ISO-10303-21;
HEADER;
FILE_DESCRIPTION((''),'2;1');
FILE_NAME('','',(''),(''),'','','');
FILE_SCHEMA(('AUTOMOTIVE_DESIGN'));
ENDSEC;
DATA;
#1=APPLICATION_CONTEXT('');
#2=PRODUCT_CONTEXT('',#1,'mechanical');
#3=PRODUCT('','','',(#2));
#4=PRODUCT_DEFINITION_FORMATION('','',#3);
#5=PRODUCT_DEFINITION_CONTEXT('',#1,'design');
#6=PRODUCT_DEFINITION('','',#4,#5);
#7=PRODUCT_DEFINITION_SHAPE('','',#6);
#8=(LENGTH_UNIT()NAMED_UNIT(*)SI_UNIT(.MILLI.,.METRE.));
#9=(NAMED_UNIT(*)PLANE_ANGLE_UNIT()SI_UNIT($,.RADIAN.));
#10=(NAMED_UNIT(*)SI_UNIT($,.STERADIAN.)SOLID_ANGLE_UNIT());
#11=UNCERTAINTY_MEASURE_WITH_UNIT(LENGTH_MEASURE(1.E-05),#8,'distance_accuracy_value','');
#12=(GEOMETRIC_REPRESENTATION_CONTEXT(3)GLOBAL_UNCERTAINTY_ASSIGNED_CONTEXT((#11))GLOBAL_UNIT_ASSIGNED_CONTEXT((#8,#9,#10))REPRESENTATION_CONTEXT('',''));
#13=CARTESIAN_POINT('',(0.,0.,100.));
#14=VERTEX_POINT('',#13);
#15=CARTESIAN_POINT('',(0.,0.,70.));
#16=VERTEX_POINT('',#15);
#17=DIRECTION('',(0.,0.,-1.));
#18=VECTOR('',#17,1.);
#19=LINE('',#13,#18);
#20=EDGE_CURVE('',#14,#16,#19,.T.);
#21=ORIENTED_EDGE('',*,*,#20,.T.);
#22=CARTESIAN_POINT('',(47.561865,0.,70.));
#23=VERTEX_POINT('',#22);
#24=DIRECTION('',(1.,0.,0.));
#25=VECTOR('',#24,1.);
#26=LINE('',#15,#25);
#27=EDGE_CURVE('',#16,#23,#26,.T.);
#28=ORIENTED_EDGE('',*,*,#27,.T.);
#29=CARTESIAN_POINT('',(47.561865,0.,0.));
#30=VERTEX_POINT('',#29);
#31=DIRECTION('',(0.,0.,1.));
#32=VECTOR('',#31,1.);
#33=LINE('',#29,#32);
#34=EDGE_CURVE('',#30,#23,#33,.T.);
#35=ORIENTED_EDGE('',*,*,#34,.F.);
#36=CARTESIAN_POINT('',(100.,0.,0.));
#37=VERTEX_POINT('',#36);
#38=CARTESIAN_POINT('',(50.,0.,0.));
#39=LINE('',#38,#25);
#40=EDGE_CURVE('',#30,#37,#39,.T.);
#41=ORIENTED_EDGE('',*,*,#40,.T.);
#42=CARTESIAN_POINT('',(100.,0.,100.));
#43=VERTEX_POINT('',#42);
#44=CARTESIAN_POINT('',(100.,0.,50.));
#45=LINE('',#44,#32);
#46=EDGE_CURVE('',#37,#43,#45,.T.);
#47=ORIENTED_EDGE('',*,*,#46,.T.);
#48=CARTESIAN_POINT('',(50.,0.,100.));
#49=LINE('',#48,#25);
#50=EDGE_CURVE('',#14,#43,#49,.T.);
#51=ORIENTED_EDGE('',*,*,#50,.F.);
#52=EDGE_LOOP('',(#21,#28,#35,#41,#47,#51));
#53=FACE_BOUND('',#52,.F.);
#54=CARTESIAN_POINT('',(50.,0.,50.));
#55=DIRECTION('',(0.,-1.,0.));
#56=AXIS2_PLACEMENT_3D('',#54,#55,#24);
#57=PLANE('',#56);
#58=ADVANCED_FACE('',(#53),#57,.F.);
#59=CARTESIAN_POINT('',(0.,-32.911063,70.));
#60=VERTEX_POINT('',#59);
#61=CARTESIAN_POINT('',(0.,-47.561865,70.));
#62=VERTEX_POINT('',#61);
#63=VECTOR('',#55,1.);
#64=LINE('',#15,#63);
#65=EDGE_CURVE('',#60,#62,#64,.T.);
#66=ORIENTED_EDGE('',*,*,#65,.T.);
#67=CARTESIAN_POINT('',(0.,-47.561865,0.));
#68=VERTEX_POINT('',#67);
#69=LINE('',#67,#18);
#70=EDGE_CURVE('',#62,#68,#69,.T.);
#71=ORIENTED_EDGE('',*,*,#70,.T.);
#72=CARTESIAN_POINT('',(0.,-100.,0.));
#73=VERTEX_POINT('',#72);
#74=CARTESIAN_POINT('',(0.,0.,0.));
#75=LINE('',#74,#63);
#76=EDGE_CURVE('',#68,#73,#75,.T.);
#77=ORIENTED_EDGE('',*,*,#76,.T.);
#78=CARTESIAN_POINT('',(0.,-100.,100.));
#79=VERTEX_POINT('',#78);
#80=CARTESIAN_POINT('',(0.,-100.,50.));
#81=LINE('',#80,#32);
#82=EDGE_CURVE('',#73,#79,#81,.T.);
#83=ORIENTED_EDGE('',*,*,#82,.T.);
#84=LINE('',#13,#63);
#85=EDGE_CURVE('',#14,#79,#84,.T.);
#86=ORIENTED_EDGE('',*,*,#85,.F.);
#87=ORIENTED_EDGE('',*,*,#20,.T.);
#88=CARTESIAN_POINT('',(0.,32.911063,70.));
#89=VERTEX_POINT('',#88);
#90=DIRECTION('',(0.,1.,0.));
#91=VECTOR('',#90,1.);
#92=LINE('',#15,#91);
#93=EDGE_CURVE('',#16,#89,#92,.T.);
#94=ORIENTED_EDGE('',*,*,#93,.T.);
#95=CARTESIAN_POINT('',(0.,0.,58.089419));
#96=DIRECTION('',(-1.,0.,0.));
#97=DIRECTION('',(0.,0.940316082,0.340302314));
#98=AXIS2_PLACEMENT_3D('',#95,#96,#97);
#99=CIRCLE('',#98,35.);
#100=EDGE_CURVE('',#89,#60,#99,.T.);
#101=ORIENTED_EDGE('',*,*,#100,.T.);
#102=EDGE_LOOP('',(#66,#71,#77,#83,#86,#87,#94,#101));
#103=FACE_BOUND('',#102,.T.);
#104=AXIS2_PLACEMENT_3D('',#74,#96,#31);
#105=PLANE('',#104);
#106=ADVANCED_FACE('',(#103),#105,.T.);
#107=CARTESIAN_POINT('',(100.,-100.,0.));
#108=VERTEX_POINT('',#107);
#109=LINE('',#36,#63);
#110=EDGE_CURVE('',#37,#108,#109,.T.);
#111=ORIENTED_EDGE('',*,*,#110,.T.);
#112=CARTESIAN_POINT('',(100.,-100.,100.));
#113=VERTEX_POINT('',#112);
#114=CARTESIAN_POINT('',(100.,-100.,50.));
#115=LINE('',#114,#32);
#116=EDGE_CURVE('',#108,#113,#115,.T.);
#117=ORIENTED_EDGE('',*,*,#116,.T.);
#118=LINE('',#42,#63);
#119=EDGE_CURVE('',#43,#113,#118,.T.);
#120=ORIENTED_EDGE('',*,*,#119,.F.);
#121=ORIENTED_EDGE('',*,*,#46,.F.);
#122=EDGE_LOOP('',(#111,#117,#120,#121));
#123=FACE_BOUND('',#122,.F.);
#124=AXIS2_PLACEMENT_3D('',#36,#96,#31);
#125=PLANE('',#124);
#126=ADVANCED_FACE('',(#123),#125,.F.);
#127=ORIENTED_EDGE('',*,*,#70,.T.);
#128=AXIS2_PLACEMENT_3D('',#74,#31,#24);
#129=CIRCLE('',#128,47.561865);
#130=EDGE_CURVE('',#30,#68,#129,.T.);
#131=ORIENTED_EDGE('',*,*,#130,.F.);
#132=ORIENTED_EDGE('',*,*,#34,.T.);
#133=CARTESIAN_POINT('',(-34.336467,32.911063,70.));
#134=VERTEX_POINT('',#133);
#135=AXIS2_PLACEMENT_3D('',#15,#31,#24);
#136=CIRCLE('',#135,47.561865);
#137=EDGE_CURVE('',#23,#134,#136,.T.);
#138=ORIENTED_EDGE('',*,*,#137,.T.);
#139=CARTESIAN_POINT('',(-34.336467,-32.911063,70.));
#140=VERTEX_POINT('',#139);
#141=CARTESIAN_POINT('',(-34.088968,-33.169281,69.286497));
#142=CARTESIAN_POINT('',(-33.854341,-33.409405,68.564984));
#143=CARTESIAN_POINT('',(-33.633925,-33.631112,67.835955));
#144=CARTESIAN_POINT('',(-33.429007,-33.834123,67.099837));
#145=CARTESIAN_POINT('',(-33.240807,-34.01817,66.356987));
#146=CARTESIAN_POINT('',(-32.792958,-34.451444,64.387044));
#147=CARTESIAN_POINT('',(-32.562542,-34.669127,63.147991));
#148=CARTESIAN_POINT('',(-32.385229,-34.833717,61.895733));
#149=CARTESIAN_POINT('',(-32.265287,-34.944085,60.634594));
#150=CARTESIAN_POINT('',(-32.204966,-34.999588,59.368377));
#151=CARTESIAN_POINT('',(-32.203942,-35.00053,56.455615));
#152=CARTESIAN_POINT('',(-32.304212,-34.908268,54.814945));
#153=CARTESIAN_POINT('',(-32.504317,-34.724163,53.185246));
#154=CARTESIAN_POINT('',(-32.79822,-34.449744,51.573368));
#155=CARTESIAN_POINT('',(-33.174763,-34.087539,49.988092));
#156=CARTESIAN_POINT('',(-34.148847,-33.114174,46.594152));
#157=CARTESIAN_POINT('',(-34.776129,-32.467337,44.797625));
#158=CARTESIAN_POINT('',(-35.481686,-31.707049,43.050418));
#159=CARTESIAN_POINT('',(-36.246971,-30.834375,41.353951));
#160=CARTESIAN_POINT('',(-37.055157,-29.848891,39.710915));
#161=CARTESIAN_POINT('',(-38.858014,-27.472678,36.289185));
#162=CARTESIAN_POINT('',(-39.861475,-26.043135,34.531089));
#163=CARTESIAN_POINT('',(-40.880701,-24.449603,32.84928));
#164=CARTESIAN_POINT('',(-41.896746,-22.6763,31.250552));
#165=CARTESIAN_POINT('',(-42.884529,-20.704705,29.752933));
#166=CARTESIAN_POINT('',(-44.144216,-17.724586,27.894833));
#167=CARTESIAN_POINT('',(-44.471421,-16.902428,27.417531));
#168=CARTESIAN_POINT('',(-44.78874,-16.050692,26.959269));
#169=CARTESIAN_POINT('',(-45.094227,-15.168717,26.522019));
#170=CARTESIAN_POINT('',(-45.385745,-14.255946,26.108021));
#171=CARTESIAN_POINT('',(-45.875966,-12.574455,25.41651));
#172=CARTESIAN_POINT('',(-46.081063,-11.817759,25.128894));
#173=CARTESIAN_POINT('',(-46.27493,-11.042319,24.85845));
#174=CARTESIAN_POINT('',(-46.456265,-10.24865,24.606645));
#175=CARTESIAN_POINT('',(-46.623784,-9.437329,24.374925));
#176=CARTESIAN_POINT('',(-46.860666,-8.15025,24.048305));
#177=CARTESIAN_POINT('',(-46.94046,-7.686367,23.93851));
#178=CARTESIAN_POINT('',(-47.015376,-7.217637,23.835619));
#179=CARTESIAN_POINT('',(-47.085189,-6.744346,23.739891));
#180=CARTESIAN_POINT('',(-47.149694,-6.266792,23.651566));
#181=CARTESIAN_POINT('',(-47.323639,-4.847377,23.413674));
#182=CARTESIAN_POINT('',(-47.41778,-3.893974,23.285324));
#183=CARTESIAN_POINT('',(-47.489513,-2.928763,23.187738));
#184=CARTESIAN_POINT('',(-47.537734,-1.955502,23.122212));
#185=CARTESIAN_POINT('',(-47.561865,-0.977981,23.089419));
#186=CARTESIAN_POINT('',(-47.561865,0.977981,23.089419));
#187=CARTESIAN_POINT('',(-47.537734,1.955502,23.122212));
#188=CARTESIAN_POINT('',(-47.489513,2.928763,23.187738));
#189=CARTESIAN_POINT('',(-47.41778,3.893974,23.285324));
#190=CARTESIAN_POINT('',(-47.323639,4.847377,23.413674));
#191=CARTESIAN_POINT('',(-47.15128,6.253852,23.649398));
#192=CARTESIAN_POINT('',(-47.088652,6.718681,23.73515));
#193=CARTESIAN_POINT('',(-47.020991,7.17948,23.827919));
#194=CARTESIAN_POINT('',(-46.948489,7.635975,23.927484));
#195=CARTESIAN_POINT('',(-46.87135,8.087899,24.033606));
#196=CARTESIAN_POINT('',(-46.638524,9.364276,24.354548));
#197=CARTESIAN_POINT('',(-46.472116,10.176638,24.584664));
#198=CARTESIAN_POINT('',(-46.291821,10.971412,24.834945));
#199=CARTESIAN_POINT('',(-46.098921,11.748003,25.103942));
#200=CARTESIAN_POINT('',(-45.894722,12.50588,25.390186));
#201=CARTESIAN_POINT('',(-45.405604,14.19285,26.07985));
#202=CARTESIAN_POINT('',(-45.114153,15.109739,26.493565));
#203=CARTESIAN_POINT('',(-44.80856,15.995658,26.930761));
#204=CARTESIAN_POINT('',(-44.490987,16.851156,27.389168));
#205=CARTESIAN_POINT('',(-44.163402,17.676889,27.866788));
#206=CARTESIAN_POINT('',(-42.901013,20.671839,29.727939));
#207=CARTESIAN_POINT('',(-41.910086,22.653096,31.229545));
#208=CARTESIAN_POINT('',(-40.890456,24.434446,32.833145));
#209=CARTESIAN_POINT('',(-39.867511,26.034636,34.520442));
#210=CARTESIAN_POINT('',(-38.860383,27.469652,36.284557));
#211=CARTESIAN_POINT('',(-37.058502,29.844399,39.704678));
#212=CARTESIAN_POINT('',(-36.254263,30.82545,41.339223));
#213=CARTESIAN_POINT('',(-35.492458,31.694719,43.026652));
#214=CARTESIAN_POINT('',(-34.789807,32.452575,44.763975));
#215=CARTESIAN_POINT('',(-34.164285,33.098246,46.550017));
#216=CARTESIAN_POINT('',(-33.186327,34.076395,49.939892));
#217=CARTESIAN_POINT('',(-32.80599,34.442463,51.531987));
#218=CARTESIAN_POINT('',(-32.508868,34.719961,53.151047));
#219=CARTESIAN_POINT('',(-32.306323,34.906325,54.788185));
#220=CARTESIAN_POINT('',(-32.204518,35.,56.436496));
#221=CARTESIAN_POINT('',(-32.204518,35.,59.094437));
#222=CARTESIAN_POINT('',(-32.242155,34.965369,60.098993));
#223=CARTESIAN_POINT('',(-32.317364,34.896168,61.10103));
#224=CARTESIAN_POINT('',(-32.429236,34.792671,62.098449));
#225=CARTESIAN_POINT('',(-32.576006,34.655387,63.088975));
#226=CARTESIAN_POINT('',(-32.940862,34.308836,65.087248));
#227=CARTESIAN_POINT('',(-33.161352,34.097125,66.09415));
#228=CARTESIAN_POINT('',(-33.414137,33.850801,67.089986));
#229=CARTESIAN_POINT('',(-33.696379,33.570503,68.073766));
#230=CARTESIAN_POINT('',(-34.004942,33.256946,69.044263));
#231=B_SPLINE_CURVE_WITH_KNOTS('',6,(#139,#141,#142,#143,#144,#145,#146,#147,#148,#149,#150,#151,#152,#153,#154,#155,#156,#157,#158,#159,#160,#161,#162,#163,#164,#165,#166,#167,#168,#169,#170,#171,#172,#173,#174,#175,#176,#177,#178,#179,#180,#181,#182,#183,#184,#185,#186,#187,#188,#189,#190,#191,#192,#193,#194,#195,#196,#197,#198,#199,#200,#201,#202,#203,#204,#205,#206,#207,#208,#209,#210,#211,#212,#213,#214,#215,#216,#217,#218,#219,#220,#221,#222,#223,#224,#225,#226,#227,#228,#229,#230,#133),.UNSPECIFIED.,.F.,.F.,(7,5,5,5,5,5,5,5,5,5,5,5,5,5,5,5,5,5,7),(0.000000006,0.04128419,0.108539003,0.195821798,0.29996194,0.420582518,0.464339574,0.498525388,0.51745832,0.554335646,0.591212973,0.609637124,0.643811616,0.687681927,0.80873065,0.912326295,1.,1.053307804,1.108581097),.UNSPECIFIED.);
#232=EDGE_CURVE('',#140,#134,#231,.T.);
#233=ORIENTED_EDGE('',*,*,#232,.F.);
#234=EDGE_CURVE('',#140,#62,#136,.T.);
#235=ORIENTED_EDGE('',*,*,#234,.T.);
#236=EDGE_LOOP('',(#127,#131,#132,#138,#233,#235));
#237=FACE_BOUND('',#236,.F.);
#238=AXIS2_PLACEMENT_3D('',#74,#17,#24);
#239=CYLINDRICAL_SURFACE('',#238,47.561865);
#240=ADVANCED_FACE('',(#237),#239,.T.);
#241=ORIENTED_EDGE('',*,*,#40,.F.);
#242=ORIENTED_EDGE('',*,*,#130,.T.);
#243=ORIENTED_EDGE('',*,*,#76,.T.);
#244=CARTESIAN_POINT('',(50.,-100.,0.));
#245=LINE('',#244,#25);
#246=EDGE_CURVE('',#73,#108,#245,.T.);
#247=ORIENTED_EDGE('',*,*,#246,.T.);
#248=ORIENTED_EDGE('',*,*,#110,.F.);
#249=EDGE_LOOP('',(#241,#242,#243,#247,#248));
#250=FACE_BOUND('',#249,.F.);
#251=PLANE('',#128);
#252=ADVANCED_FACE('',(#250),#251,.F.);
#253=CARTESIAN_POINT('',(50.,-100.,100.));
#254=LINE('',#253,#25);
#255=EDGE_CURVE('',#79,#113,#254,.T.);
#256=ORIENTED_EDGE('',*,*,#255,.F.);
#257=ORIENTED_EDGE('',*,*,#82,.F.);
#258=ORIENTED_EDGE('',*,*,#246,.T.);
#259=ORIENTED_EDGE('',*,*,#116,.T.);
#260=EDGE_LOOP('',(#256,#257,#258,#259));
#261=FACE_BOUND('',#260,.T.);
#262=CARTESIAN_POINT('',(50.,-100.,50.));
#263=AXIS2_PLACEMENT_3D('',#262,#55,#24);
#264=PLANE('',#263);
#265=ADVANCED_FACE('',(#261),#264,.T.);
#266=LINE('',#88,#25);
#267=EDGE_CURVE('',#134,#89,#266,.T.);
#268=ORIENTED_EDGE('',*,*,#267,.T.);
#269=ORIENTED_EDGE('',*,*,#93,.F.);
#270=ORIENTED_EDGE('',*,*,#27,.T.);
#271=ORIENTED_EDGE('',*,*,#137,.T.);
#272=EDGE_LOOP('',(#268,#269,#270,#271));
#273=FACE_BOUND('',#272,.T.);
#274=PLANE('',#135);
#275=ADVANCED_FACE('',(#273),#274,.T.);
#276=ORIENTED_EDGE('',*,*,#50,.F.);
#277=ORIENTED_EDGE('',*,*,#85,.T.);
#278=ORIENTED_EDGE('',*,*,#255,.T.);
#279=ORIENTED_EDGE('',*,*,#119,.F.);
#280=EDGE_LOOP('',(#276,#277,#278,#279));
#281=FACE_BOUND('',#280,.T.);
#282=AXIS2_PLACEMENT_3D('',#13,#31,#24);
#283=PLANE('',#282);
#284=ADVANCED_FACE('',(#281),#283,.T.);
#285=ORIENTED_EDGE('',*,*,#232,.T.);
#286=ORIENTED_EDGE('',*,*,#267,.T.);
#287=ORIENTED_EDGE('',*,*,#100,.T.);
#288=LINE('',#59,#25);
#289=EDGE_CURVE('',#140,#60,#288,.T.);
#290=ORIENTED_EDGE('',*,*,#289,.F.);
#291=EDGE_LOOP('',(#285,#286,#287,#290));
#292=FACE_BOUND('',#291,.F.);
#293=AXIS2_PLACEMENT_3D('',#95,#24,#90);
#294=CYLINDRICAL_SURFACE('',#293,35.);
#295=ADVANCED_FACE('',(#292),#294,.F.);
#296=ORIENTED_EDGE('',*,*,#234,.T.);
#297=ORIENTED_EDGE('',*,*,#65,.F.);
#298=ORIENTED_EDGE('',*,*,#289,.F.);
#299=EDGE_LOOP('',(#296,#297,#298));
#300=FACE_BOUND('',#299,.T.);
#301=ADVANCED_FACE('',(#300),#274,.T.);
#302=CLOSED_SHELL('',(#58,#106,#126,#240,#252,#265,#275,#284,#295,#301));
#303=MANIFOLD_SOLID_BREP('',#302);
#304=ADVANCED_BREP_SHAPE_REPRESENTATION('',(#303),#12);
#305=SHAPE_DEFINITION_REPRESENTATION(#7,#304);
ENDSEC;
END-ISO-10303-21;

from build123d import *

# Parameters (mm, degrees)
F0_W     = 100
F0_H     = 100
F1_DEPTH = 100
F2_R     = 47.40298
F3_DEPTH = 70
F4_R     = 47.561865
F5_DEPTH = 70
F6_R     = 35
F7_DEPTH = 47.562865


with BuildPart() as f1:
    # F0 (on Front) → F1 (new body)
    with BuildSketch(Plane.XZ):
        with Locations((50, 50)):
            Rectangle(F0_W, F0_H)
    extrude(amount=F1_DEPTH)

    # F2 (on Top) → F3 (join)
    with BuildSketch(Plane.XY):
        Circle(F2_R)
    extrude(amount=F3_DEPTH)

    # F4 (on Top) → F5 (join)
    with BuildSketch(Plane.XY):
        Circle(F4_R)
    extrude(amount=F5_DEPTH)

    # F6 (on Right) → F7 (cut, through all)
    with BuildSketch(Plane.YZ):
        with Locations((0, 58.089419)):
            Circle(F6_R)
    extrude(amount=-F7_DEPTH, mode=Mode.SUBTRACT)


solid = f1.part
